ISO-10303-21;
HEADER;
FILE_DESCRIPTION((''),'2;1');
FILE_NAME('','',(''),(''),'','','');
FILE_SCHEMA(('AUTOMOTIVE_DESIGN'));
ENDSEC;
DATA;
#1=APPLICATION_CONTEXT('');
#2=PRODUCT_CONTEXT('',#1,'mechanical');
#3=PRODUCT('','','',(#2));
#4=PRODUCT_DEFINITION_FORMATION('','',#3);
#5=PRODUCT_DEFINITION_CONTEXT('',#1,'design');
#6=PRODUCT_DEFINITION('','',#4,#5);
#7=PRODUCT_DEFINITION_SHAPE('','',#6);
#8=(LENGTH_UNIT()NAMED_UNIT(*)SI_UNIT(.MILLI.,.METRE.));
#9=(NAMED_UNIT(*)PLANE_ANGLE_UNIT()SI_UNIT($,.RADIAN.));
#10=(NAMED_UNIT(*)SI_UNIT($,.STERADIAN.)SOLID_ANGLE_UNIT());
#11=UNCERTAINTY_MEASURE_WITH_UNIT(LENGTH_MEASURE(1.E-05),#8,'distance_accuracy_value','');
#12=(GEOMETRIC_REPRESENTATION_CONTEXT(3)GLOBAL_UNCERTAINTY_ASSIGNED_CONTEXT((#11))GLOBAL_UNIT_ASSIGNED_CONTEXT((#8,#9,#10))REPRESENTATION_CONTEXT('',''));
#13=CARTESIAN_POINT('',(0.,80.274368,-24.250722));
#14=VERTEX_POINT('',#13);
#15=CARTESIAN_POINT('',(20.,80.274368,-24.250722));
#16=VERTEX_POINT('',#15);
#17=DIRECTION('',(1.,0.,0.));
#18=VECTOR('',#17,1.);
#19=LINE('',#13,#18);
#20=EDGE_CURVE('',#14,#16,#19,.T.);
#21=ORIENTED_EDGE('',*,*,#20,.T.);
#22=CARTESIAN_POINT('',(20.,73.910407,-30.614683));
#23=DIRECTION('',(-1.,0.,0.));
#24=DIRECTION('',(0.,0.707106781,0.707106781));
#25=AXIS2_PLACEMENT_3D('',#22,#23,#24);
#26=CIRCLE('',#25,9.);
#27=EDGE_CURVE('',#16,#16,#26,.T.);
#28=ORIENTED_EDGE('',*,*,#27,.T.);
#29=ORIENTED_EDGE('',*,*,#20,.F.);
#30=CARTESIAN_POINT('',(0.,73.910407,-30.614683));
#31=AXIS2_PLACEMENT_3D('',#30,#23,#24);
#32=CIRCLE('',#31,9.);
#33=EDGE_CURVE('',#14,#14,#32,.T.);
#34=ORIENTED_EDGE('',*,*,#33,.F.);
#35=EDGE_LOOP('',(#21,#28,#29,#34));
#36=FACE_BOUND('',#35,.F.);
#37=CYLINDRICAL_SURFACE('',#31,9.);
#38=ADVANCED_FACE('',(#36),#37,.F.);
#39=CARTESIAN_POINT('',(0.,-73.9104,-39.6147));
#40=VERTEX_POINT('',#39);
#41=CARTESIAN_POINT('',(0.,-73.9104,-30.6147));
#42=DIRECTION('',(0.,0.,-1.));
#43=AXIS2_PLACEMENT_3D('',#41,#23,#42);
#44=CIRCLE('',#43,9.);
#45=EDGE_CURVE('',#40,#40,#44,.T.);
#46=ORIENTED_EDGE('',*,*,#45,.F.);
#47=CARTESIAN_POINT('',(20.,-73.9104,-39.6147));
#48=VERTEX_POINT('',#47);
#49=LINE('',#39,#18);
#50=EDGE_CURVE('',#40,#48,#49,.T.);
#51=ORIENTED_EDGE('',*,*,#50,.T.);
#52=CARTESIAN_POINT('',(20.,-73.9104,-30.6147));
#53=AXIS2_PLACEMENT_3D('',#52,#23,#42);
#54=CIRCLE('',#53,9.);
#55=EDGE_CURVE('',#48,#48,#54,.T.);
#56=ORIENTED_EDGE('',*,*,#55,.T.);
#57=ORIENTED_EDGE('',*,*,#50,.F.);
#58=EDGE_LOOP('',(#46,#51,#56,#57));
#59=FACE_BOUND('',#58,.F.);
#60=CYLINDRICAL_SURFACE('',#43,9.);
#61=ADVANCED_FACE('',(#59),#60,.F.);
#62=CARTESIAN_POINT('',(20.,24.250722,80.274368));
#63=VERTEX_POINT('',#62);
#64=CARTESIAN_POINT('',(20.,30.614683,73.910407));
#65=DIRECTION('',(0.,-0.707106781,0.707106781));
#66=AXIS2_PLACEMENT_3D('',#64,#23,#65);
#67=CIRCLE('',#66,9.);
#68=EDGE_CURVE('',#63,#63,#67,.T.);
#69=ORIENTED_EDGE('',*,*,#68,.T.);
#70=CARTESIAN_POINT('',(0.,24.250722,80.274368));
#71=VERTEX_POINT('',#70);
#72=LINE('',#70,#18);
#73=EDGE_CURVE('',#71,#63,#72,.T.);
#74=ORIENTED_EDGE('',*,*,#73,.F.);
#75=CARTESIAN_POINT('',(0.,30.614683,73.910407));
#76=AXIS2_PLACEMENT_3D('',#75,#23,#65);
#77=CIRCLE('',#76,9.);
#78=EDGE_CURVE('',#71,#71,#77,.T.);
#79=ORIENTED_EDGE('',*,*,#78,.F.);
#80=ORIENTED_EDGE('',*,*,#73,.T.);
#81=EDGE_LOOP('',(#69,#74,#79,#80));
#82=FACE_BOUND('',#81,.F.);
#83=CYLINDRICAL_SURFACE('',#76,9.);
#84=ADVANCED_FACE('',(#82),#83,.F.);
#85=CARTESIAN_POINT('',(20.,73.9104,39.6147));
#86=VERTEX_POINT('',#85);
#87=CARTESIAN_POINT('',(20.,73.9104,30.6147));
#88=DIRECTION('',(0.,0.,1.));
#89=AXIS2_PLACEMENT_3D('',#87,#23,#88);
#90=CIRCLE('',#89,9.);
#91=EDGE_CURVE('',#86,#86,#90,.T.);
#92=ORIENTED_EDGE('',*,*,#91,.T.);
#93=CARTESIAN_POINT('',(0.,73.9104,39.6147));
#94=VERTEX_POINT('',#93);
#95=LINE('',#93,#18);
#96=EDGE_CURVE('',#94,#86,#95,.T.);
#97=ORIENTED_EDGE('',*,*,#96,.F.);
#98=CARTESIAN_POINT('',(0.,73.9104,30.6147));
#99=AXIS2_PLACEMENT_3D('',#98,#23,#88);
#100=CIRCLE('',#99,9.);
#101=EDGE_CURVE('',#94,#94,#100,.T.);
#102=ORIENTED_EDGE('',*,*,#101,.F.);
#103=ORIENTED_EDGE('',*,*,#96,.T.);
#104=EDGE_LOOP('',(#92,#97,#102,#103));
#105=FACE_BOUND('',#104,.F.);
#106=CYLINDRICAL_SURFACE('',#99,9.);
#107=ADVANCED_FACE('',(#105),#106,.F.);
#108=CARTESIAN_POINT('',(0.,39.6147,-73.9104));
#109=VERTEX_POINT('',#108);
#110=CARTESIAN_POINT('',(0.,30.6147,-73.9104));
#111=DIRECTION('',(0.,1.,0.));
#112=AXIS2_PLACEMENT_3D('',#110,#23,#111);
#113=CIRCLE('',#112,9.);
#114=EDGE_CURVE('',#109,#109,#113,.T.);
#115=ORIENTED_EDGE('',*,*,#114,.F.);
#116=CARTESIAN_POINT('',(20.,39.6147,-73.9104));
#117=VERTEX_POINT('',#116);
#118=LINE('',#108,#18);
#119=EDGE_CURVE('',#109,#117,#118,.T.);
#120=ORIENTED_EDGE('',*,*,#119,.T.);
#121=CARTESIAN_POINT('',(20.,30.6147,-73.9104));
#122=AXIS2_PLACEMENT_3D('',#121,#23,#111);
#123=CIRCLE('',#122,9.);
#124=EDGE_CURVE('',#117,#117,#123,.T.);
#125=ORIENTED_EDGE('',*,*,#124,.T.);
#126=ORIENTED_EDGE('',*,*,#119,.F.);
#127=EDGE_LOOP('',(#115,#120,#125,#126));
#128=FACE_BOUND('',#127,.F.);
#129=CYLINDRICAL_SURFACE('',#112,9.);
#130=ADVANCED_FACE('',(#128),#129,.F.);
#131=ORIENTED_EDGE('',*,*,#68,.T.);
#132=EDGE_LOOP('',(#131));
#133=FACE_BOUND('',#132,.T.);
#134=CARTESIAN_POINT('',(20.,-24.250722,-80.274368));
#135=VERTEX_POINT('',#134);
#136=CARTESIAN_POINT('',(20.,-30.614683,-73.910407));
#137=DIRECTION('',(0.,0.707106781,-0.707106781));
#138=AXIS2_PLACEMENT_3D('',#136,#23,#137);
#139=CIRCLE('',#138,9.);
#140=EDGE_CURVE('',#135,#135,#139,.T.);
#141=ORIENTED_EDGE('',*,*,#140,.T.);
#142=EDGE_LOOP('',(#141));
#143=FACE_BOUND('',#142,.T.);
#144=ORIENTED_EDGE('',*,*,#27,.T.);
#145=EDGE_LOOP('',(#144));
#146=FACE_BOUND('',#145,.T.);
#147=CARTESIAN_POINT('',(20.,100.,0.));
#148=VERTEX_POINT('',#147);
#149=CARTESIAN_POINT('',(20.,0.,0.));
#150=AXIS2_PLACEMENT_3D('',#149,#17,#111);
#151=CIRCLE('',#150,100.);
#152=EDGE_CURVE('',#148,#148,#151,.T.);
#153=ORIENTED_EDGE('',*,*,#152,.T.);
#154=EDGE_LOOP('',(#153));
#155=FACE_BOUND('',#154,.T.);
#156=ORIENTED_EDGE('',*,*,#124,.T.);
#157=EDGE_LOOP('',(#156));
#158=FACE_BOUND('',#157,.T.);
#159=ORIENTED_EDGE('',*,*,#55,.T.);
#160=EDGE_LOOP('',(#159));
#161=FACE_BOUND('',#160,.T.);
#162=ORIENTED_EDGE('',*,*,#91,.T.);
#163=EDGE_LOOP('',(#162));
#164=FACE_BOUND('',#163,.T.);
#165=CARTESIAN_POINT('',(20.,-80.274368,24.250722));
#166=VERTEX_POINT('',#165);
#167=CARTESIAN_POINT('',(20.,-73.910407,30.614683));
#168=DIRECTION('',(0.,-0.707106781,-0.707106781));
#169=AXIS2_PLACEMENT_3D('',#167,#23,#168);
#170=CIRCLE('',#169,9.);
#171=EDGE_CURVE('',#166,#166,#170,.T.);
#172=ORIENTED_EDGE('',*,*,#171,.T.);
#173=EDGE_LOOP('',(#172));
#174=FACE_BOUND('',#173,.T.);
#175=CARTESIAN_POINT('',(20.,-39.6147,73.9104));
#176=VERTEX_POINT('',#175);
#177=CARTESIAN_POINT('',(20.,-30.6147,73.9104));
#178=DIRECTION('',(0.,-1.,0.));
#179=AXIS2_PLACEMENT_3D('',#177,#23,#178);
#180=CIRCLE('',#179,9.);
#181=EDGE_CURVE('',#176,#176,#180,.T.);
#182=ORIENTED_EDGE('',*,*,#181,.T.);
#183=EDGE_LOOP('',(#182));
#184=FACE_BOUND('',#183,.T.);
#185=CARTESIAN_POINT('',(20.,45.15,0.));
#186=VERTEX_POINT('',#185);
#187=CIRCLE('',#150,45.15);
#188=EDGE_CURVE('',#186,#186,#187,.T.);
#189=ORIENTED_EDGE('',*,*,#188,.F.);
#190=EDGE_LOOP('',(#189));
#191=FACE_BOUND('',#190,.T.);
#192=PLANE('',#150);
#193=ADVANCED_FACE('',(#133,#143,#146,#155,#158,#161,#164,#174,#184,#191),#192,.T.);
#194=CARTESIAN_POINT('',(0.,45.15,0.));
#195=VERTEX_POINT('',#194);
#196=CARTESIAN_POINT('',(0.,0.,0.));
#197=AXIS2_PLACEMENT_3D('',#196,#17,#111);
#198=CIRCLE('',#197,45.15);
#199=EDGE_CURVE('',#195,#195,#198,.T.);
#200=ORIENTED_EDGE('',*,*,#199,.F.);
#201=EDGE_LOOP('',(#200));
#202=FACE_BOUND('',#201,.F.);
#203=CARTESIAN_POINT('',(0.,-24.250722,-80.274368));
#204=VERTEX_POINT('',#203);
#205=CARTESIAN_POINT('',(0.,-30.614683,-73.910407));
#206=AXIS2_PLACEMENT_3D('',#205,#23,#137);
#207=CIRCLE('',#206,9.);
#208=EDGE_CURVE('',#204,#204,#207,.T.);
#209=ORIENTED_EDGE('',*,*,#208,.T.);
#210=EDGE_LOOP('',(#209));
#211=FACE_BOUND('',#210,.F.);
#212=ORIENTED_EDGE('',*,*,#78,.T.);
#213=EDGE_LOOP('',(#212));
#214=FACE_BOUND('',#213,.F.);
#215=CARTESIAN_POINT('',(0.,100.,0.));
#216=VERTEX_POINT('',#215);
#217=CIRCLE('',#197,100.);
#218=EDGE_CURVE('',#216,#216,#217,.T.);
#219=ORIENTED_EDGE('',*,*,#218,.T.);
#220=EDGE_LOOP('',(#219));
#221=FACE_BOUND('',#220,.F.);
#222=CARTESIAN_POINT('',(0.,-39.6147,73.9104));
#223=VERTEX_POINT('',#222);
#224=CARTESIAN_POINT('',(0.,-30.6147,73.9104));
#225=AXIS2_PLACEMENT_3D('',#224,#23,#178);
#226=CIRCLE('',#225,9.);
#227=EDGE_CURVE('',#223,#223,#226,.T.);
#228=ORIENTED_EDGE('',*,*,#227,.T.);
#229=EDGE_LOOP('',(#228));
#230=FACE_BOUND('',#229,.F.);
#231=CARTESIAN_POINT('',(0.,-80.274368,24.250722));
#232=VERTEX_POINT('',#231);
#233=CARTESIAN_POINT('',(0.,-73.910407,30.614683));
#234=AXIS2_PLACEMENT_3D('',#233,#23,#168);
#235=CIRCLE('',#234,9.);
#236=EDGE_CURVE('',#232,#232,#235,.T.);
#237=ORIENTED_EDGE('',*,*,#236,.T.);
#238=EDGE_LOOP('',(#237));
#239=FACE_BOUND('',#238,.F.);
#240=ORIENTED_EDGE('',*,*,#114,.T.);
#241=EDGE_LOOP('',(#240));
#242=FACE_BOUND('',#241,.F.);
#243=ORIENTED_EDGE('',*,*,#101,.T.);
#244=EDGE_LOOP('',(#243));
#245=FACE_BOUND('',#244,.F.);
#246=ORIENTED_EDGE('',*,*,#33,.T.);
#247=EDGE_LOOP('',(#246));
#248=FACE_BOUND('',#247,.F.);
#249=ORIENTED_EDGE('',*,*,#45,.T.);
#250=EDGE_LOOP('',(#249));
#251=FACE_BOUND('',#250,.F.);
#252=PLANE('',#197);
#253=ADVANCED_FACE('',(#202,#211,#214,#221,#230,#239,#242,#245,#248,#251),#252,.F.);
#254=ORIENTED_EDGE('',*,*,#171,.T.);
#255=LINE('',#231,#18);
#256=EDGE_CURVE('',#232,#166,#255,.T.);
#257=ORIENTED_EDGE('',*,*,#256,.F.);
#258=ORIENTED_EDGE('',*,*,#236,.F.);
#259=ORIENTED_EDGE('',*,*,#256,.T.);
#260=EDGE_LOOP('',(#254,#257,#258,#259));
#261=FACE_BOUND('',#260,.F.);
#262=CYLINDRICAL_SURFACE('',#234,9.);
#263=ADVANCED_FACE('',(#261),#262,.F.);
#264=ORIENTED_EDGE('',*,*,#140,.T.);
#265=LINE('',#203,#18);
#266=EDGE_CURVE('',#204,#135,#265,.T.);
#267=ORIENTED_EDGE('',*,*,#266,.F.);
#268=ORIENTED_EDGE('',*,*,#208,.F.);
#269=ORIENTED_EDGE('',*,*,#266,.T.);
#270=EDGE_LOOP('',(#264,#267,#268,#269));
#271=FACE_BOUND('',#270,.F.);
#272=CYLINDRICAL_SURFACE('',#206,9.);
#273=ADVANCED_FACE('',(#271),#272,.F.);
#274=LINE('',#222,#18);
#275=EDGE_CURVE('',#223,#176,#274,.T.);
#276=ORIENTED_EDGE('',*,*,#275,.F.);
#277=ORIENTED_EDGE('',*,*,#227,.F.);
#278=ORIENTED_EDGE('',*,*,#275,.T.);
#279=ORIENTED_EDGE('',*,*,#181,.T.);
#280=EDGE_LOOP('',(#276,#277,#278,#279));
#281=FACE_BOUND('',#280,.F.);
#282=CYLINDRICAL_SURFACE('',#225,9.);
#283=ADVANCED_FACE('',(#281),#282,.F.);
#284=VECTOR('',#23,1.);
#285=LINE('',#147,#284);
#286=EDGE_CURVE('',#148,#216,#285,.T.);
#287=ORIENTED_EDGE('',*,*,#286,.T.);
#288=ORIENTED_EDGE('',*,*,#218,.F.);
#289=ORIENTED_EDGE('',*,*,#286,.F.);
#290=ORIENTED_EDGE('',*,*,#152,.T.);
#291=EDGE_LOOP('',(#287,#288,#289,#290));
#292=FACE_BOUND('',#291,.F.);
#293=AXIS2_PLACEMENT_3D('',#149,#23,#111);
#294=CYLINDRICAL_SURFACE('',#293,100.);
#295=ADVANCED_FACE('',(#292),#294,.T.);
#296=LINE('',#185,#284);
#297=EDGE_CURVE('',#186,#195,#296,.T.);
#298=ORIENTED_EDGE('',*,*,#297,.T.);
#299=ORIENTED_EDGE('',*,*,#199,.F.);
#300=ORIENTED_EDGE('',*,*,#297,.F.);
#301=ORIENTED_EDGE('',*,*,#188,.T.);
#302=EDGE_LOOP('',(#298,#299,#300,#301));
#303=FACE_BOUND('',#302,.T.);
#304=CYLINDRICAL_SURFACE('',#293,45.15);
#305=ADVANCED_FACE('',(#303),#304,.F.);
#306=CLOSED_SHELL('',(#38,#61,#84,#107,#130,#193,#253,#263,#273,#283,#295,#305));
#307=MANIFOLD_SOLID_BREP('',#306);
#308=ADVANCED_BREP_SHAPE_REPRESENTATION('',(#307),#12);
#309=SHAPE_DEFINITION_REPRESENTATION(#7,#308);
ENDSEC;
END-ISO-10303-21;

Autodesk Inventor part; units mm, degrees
ref_plane "YZ Plane" through (0, 0, 0) normal (1, 0, 0) x (0, 1, 0)
ref_plane "XZ Plane" through (0, 0, 0) normal (0, 1, 0) x (-1, 0, 0)
ref_plane "XY Plane" through (0, 0, 0) normal (0, 0, 1) x (1, 0, 0)
sketch "Sketch1" plane through (0, 0, 0) normal (0, 0, 1) x (1, 0, 0)
  line L0 (20, 100) -> (0, 100)
  line L1 (0, 100) -> (0, 45.15)
  line L2 (0, 45.15) -> (0, 0) construction
  line L3 (0, 0) -> (20, 0) construction
  line L4 (20, 100) -> (20, 45.15)
  line L5 (20, 45.15) -> (0, 45.15)
  line L6 (20, 45.15) -> (20, 0) construction
  dimension "d0" = 200
  dimension "d1" = 20
  dimension "d5" = 90.3
revolve "Revolution1" add sketch "Sketch1" angle 360 about axis through (0, 0, 0) along (1, 0, 0)
sketch "Sketch2" plane through (0, 0, 0) normal (-1, 0, 0) x (0, 0, 1)
  circle A0 centre (0, 0) radius 45.15 projected
  line L0 (0, 80) -> (0, 0) construction
  circle A1 centre (0, 0) radius 100 projected
  circle A2 centre (0, 0) radius 80 construction
  line L1 (0, 0) -> (30.6147, 73.9104) construction
  circle A3 centre (30.6147, 73.9104) radius 9
  dimension "d6" = 18
  dimension "d7" = 80
  dimension "d8" = 22.5
extrude "Extrusion1" cut sketch "Sketch2" against normal through all contours A3
pattern_circular "Circular Pattern1" count 8 over 360 about axis through (10, 0, 0) along (1, 0, 0) of "Extrusion1"
equation "\"d6\" = dd2"
equation "\"d7\" = 0.5 * k"
equation "\"d0\" = D"
equation "\"d1\" = b"
equation "\"d5\" = dd5"
equation "\"b\" = 20"
equation "\"D\" = 200"
equation "\"dd2\" = 18"
equation "\"dd5\" = 90.3"
equation "\"Size_Designation\" = 1.2345"
equation "\"k\" = 160"
properties part number "DIN 2576 Slip-On Flange for Welding Series 1 (ISO) - PN 10 80 x 88.9" material "Steel"
